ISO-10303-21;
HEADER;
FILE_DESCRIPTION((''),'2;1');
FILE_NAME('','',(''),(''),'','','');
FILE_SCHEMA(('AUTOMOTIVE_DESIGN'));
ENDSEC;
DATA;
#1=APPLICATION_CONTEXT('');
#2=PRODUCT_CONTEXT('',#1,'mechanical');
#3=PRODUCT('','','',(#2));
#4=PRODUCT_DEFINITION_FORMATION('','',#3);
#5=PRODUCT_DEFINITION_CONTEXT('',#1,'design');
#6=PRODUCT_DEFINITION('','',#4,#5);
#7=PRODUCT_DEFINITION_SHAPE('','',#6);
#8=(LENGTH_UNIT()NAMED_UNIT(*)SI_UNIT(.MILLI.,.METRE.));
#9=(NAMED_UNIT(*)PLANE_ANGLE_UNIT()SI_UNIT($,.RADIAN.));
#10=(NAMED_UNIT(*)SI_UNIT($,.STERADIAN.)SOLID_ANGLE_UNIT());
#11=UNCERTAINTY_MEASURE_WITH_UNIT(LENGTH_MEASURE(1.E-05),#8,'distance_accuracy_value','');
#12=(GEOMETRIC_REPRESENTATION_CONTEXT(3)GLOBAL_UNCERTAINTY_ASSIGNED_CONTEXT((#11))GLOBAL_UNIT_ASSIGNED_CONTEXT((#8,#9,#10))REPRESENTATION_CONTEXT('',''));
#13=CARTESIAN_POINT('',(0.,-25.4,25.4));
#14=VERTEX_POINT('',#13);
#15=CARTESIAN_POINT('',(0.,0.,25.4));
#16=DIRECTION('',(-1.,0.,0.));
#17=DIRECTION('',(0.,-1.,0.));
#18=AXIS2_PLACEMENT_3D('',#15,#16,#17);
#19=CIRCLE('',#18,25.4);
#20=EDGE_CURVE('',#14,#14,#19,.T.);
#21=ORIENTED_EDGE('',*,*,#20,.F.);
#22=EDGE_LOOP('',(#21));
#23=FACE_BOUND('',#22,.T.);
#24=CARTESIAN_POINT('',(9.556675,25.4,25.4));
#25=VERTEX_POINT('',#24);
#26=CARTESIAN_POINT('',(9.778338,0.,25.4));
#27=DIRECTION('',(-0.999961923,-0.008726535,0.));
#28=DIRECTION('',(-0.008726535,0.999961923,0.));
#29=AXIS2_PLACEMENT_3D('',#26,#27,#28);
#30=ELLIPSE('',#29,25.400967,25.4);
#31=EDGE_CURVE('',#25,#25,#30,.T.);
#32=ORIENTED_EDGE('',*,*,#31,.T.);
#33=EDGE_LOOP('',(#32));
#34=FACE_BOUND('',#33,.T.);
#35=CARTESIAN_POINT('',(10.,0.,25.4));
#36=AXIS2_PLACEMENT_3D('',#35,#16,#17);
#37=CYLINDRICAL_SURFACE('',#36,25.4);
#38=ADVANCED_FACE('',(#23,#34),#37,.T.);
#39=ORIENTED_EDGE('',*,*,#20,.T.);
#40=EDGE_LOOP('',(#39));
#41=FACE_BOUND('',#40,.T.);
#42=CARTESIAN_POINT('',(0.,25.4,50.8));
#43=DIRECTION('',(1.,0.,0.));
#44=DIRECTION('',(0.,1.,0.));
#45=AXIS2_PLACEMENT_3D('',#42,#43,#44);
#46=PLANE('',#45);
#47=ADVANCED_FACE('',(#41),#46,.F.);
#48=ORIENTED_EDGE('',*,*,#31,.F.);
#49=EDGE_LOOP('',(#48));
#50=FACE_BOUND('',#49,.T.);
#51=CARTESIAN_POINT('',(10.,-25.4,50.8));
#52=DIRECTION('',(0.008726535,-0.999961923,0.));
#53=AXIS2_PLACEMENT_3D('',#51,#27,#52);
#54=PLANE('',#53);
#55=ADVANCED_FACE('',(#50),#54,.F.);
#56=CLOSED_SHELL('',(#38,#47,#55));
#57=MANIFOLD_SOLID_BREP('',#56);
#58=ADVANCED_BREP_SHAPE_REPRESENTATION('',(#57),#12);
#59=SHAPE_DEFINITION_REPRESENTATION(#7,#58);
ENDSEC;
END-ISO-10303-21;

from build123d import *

# Parameters (mm, degrees)
EXTRUDE_1_DEPTH     = 50.8
CUT_EXTRUDE_1_DEPTH = 10


with BuildPart() as part:
    # 草图1 → 凸台-拉伸1 (new body)
    with BuildSketch(Plane.XY):
        Polygon((0, 25.4), (0, -25.4), (10, -25.4), (9.556675116, 25.4), align=None)
    extrude(amount=EXTRUDE_1_DEPTH)

    # 草图2 → 切除-拉伸1 (cut)
    with BuildSketch(Plane.ZY):
        with BuildLine():
            ThreePointArc((25.4, -25.4), (7.439487746, -17.96051223), (0, 3.4e-08))
            Line((0, 3.4e-08), (0, -25.4))
            Line((0, -25.4), (25.4, -25.4))
        make_face()
        with BuildLine():
            ThreePointArc((50.8, 0), (43.360512242, -17.960512242), (25.4, -25.4))
            Line((25.4, -25.4), (50.8, -25.4))
            Line((50.8, -25.4), (50.8, 0))
        make_face()
        with BuildLine():
            Line((50.8, 25.4), (25.4, 25.4))
            ThreePointArc((25.4, 25.4), (43.360512242, 17.960512242), (50.8, 0))
            Line((50.8, 0), (50.8, 25.4))
        make_face()
        with BuildLine():
            Line((25.4, 25.4), (0, 25.4))
            Line((0, 25.4), (0, 3.4e-08))
            ThreePointArc((0, 3.4e-08), (7.43948777, 17.960512254), (25.4, 25.4))
        make_face()
    extrude(amount=-CUT_EXTRUDE_1_DEPTH, mode=Mode.SUBTRACT)


solid = part.part
